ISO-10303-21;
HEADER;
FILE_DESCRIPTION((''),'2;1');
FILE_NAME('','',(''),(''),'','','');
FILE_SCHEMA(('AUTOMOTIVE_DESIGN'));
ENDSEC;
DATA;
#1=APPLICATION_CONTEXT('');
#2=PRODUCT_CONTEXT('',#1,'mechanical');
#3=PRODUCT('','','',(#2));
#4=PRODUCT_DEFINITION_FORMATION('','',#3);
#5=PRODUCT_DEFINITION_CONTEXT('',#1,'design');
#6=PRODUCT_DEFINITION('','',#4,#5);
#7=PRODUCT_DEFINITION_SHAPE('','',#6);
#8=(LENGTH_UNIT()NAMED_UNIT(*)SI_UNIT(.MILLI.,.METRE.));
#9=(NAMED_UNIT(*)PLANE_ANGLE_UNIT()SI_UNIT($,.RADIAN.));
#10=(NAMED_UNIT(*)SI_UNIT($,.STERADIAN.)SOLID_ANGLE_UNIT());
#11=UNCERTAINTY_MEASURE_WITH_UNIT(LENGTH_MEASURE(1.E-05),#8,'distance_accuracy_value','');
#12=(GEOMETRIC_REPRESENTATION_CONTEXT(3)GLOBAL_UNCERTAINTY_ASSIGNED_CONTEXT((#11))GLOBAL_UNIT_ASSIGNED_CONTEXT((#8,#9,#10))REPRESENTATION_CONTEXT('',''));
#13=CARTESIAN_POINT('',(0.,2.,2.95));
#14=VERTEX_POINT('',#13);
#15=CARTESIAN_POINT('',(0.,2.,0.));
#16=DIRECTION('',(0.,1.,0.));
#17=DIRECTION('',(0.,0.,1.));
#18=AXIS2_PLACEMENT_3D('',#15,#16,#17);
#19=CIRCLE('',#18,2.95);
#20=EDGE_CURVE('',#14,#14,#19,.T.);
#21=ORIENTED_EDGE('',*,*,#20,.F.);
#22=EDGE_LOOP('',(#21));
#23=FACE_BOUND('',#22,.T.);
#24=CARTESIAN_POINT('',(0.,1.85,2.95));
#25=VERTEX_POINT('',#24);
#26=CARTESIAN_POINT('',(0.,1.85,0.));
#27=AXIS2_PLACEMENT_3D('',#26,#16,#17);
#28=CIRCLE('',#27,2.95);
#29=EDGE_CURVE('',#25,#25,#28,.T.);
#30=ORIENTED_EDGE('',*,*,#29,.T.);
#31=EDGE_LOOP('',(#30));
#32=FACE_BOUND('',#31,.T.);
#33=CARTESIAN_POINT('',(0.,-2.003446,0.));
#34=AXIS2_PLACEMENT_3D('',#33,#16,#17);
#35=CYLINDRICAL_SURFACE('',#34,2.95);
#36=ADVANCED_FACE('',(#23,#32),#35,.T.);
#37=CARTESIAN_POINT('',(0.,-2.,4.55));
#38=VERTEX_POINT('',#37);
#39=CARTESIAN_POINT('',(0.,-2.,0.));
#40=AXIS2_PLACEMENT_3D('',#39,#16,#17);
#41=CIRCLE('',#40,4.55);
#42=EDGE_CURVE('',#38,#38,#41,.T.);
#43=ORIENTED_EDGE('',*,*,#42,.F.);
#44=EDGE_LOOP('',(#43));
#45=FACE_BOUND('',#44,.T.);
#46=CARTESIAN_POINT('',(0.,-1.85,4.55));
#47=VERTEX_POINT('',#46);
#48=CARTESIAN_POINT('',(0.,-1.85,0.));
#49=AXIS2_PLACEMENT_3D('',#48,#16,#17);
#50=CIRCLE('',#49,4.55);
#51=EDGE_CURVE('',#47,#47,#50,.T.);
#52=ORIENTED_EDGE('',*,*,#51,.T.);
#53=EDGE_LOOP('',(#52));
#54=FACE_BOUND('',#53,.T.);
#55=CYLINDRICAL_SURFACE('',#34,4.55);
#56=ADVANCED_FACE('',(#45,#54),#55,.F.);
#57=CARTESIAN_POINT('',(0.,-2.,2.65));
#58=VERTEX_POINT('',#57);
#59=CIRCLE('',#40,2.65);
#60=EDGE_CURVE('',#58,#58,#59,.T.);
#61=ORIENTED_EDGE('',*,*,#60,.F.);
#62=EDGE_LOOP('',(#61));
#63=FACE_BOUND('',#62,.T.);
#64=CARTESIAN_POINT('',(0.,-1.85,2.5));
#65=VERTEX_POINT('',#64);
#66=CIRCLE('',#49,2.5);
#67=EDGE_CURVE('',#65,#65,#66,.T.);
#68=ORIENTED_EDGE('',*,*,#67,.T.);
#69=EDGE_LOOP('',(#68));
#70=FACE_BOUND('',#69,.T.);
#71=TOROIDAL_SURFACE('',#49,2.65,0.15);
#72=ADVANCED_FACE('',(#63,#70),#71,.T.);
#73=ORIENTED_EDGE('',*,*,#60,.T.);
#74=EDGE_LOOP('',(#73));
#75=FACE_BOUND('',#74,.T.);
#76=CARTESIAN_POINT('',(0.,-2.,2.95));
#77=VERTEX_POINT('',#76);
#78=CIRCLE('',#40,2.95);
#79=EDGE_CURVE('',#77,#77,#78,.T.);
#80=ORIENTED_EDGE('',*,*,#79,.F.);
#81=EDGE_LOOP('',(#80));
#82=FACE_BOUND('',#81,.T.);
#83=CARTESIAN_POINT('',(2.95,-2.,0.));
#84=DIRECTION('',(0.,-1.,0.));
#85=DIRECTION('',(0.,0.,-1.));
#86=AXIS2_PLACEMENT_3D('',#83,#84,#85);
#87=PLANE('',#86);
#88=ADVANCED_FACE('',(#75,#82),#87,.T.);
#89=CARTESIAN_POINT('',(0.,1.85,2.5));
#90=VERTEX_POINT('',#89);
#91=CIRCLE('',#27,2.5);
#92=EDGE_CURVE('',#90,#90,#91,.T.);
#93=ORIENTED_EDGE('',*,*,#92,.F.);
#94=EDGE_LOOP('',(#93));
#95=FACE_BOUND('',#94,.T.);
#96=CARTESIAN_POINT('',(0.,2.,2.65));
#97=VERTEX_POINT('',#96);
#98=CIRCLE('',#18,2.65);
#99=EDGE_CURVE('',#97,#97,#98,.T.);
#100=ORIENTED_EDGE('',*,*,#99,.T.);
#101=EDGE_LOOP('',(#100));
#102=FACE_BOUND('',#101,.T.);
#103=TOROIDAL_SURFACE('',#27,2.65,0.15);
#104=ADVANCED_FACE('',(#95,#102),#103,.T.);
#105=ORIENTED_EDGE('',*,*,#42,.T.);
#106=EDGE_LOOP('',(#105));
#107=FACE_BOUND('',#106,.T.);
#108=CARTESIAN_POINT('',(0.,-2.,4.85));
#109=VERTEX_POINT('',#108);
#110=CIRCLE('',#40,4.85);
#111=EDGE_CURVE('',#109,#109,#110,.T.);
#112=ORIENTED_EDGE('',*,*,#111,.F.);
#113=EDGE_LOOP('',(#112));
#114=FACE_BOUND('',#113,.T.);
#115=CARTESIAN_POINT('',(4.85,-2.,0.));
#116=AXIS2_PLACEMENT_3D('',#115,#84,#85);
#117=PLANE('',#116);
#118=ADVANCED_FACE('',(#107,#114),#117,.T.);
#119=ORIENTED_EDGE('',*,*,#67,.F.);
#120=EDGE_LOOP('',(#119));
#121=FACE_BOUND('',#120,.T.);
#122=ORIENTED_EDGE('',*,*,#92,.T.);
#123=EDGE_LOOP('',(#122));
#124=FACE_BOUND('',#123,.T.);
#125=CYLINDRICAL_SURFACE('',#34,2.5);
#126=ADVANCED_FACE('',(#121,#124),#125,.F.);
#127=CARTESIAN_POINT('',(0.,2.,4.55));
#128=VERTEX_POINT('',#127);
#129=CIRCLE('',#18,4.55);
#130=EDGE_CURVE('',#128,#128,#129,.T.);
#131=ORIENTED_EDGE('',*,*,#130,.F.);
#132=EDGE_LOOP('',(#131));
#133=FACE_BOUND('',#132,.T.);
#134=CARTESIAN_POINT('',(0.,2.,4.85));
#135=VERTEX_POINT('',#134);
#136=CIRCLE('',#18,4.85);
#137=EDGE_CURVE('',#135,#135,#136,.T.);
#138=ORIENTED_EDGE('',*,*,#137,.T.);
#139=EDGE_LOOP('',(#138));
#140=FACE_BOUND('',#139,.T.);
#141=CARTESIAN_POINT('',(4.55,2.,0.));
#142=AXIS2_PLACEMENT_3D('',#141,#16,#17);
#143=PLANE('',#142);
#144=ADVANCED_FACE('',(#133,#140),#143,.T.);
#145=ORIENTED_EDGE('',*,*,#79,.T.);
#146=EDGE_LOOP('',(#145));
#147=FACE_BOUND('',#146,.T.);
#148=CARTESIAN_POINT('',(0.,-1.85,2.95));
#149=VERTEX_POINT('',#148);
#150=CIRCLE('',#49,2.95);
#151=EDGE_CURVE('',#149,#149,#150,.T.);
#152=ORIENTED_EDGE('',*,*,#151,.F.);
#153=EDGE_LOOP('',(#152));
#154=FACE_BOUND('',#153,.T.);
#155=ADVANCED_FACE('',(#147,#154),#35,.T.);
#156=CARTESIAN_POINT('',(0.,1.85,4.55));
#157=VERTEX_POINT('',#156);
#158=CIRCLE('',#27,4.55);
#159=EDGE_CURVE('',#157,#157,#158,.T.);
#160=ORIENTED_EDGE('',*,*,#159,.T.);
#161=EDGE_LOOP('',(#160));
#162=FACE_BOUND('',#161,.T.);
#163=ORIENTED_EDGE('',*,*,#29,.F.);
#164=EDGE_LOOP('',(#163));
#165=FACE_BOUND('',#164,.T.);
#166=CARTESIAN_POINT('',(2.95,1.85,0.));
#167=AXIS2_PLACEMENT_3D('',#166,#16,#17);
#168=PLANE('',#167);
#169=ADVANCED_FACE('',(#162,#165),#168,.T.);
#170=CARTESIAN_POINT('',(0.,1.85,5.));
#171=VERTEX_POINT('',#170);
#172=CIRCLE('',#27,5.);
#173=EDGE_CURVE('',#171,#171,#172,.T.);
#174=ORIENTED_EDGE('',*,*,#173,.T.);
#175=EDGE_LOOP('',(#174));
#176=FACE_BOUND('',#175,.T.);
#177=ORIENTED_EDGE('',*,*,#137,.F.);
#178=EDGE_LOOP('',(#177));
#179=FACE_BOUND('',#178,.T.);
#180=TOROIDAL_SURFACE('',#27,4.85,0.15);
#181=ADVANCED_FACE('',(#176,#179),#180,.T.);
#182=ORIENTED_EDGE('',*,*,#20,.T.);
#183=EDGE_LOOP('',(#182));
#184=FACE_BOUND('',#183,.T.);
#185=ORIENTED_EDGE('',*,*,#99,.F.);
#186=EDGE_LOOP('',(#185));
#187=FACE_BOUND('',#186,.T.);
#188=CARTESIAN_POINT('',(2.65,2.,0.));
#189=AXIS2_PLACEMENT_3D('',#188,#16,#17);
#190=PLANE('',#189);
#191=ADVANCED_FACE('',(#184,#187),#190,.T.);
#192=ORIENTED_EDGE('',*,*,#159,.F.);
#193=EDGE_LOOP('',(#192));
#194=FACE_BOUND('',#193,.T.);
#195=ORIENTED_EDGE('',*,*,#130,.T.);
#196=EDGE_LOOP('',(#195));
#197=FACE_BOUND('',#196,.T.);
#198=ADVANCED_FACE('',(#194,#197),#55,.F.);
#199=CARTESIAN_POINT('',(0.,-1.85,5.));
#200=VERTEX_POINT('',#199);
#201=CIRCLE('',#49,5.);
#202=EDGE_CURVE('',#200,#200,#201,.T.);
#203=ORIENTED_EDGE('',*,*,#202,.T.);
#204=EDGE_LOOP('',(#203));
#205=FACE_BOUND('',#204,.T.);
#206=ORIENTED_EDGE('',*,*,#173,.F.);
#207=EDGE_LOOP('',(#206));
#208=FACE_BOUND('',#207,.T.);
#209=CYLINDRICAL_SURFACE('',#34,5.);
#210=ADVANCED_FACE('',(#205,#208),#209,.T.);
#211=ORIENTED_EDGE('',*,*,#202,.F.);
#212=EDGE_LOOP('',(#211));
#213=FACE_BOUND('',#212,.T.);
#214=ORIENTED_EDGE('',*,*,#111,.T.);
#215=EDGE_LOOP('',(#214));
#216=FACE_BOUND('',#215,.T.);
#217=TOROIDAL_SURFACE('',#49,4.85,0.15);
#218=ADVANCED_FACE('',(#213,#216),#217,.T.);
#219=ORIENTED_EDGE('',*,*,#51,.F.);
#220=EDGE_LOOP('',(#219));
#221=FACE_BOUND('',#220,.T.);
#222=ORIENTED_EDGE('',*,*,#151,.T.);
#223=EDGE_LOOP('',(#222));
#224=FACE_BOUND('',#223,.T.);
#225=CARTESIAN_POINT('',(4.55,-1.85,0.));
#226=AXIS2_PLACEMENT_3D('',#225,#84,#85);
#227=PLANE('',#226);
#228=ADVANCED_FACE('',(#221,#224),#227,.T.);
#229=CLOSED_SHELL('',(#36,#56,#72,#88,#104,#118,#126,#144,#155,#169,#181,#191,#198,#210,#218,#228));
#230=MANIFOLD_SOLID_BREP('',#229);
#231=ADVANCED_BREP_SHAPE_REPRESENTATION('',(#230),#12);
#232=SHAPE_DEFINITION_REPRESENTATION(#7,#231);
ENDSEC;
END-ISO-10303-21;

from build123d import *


with BuildPart() as part:
    # Esquisse1 → Révolution1 (revolve)
    with BuildSketch(Plane(origin=(0, 0, 0), x_dir=(-1, 0, 0), z_dir=(0, 0, -1)), mode=Mode.PRIVATE) as r_volution1_sk:
        with BuildLine():
            Line((-2.5, -1.85), (-2.5, 1.85))
            ThreePointArc((-2.5, 1.85), (-2.543933983, 1.956066017), (-2.65, 2))
            Line((-2.65, 2), (-2.95, 2))
            Line((-2.95, 2), (-2.95, 1.85))
            Line((-2.95, 1.85), (-4.55, 1.85))
            Line((-4.55, 1.85), (-4.55, 2))
            Line((-4.55, 2), (-4.85, 2))
            ThreePointArc((-4.85, 2), (-4.956066017, 1.956066017), (-5, 1.85))
            Line((-5, 1.85), (-5, -1.85))
            ThreePointArc((-5, -1.85), (-4.956066017, -1.956066017), (-4.85, -2))
            Line((-4.85, -2), (-4.55, -2))
            Line((-4.55, -2), (-4.55, -1.85))
            Line((-4.55, -1.85), (-2.95, -1.85))
            Line((-2.95, -1.85), (-2.95, -2))
            Line((-2.95, -2), (-2.65, -2))
            ThreePointArc((-2.65, -2), (-2.543933983, -1.956066017), (-2.5, -1.85))
        make_face()
    revolve(r_volution1_sk.sketch.rotate(Axis((0, -2.003446066, 0), (0, 1, 0)), 270), axis=Axis((0, -2.003446066, 0), (0, 1, 0)))


solid = part.part
